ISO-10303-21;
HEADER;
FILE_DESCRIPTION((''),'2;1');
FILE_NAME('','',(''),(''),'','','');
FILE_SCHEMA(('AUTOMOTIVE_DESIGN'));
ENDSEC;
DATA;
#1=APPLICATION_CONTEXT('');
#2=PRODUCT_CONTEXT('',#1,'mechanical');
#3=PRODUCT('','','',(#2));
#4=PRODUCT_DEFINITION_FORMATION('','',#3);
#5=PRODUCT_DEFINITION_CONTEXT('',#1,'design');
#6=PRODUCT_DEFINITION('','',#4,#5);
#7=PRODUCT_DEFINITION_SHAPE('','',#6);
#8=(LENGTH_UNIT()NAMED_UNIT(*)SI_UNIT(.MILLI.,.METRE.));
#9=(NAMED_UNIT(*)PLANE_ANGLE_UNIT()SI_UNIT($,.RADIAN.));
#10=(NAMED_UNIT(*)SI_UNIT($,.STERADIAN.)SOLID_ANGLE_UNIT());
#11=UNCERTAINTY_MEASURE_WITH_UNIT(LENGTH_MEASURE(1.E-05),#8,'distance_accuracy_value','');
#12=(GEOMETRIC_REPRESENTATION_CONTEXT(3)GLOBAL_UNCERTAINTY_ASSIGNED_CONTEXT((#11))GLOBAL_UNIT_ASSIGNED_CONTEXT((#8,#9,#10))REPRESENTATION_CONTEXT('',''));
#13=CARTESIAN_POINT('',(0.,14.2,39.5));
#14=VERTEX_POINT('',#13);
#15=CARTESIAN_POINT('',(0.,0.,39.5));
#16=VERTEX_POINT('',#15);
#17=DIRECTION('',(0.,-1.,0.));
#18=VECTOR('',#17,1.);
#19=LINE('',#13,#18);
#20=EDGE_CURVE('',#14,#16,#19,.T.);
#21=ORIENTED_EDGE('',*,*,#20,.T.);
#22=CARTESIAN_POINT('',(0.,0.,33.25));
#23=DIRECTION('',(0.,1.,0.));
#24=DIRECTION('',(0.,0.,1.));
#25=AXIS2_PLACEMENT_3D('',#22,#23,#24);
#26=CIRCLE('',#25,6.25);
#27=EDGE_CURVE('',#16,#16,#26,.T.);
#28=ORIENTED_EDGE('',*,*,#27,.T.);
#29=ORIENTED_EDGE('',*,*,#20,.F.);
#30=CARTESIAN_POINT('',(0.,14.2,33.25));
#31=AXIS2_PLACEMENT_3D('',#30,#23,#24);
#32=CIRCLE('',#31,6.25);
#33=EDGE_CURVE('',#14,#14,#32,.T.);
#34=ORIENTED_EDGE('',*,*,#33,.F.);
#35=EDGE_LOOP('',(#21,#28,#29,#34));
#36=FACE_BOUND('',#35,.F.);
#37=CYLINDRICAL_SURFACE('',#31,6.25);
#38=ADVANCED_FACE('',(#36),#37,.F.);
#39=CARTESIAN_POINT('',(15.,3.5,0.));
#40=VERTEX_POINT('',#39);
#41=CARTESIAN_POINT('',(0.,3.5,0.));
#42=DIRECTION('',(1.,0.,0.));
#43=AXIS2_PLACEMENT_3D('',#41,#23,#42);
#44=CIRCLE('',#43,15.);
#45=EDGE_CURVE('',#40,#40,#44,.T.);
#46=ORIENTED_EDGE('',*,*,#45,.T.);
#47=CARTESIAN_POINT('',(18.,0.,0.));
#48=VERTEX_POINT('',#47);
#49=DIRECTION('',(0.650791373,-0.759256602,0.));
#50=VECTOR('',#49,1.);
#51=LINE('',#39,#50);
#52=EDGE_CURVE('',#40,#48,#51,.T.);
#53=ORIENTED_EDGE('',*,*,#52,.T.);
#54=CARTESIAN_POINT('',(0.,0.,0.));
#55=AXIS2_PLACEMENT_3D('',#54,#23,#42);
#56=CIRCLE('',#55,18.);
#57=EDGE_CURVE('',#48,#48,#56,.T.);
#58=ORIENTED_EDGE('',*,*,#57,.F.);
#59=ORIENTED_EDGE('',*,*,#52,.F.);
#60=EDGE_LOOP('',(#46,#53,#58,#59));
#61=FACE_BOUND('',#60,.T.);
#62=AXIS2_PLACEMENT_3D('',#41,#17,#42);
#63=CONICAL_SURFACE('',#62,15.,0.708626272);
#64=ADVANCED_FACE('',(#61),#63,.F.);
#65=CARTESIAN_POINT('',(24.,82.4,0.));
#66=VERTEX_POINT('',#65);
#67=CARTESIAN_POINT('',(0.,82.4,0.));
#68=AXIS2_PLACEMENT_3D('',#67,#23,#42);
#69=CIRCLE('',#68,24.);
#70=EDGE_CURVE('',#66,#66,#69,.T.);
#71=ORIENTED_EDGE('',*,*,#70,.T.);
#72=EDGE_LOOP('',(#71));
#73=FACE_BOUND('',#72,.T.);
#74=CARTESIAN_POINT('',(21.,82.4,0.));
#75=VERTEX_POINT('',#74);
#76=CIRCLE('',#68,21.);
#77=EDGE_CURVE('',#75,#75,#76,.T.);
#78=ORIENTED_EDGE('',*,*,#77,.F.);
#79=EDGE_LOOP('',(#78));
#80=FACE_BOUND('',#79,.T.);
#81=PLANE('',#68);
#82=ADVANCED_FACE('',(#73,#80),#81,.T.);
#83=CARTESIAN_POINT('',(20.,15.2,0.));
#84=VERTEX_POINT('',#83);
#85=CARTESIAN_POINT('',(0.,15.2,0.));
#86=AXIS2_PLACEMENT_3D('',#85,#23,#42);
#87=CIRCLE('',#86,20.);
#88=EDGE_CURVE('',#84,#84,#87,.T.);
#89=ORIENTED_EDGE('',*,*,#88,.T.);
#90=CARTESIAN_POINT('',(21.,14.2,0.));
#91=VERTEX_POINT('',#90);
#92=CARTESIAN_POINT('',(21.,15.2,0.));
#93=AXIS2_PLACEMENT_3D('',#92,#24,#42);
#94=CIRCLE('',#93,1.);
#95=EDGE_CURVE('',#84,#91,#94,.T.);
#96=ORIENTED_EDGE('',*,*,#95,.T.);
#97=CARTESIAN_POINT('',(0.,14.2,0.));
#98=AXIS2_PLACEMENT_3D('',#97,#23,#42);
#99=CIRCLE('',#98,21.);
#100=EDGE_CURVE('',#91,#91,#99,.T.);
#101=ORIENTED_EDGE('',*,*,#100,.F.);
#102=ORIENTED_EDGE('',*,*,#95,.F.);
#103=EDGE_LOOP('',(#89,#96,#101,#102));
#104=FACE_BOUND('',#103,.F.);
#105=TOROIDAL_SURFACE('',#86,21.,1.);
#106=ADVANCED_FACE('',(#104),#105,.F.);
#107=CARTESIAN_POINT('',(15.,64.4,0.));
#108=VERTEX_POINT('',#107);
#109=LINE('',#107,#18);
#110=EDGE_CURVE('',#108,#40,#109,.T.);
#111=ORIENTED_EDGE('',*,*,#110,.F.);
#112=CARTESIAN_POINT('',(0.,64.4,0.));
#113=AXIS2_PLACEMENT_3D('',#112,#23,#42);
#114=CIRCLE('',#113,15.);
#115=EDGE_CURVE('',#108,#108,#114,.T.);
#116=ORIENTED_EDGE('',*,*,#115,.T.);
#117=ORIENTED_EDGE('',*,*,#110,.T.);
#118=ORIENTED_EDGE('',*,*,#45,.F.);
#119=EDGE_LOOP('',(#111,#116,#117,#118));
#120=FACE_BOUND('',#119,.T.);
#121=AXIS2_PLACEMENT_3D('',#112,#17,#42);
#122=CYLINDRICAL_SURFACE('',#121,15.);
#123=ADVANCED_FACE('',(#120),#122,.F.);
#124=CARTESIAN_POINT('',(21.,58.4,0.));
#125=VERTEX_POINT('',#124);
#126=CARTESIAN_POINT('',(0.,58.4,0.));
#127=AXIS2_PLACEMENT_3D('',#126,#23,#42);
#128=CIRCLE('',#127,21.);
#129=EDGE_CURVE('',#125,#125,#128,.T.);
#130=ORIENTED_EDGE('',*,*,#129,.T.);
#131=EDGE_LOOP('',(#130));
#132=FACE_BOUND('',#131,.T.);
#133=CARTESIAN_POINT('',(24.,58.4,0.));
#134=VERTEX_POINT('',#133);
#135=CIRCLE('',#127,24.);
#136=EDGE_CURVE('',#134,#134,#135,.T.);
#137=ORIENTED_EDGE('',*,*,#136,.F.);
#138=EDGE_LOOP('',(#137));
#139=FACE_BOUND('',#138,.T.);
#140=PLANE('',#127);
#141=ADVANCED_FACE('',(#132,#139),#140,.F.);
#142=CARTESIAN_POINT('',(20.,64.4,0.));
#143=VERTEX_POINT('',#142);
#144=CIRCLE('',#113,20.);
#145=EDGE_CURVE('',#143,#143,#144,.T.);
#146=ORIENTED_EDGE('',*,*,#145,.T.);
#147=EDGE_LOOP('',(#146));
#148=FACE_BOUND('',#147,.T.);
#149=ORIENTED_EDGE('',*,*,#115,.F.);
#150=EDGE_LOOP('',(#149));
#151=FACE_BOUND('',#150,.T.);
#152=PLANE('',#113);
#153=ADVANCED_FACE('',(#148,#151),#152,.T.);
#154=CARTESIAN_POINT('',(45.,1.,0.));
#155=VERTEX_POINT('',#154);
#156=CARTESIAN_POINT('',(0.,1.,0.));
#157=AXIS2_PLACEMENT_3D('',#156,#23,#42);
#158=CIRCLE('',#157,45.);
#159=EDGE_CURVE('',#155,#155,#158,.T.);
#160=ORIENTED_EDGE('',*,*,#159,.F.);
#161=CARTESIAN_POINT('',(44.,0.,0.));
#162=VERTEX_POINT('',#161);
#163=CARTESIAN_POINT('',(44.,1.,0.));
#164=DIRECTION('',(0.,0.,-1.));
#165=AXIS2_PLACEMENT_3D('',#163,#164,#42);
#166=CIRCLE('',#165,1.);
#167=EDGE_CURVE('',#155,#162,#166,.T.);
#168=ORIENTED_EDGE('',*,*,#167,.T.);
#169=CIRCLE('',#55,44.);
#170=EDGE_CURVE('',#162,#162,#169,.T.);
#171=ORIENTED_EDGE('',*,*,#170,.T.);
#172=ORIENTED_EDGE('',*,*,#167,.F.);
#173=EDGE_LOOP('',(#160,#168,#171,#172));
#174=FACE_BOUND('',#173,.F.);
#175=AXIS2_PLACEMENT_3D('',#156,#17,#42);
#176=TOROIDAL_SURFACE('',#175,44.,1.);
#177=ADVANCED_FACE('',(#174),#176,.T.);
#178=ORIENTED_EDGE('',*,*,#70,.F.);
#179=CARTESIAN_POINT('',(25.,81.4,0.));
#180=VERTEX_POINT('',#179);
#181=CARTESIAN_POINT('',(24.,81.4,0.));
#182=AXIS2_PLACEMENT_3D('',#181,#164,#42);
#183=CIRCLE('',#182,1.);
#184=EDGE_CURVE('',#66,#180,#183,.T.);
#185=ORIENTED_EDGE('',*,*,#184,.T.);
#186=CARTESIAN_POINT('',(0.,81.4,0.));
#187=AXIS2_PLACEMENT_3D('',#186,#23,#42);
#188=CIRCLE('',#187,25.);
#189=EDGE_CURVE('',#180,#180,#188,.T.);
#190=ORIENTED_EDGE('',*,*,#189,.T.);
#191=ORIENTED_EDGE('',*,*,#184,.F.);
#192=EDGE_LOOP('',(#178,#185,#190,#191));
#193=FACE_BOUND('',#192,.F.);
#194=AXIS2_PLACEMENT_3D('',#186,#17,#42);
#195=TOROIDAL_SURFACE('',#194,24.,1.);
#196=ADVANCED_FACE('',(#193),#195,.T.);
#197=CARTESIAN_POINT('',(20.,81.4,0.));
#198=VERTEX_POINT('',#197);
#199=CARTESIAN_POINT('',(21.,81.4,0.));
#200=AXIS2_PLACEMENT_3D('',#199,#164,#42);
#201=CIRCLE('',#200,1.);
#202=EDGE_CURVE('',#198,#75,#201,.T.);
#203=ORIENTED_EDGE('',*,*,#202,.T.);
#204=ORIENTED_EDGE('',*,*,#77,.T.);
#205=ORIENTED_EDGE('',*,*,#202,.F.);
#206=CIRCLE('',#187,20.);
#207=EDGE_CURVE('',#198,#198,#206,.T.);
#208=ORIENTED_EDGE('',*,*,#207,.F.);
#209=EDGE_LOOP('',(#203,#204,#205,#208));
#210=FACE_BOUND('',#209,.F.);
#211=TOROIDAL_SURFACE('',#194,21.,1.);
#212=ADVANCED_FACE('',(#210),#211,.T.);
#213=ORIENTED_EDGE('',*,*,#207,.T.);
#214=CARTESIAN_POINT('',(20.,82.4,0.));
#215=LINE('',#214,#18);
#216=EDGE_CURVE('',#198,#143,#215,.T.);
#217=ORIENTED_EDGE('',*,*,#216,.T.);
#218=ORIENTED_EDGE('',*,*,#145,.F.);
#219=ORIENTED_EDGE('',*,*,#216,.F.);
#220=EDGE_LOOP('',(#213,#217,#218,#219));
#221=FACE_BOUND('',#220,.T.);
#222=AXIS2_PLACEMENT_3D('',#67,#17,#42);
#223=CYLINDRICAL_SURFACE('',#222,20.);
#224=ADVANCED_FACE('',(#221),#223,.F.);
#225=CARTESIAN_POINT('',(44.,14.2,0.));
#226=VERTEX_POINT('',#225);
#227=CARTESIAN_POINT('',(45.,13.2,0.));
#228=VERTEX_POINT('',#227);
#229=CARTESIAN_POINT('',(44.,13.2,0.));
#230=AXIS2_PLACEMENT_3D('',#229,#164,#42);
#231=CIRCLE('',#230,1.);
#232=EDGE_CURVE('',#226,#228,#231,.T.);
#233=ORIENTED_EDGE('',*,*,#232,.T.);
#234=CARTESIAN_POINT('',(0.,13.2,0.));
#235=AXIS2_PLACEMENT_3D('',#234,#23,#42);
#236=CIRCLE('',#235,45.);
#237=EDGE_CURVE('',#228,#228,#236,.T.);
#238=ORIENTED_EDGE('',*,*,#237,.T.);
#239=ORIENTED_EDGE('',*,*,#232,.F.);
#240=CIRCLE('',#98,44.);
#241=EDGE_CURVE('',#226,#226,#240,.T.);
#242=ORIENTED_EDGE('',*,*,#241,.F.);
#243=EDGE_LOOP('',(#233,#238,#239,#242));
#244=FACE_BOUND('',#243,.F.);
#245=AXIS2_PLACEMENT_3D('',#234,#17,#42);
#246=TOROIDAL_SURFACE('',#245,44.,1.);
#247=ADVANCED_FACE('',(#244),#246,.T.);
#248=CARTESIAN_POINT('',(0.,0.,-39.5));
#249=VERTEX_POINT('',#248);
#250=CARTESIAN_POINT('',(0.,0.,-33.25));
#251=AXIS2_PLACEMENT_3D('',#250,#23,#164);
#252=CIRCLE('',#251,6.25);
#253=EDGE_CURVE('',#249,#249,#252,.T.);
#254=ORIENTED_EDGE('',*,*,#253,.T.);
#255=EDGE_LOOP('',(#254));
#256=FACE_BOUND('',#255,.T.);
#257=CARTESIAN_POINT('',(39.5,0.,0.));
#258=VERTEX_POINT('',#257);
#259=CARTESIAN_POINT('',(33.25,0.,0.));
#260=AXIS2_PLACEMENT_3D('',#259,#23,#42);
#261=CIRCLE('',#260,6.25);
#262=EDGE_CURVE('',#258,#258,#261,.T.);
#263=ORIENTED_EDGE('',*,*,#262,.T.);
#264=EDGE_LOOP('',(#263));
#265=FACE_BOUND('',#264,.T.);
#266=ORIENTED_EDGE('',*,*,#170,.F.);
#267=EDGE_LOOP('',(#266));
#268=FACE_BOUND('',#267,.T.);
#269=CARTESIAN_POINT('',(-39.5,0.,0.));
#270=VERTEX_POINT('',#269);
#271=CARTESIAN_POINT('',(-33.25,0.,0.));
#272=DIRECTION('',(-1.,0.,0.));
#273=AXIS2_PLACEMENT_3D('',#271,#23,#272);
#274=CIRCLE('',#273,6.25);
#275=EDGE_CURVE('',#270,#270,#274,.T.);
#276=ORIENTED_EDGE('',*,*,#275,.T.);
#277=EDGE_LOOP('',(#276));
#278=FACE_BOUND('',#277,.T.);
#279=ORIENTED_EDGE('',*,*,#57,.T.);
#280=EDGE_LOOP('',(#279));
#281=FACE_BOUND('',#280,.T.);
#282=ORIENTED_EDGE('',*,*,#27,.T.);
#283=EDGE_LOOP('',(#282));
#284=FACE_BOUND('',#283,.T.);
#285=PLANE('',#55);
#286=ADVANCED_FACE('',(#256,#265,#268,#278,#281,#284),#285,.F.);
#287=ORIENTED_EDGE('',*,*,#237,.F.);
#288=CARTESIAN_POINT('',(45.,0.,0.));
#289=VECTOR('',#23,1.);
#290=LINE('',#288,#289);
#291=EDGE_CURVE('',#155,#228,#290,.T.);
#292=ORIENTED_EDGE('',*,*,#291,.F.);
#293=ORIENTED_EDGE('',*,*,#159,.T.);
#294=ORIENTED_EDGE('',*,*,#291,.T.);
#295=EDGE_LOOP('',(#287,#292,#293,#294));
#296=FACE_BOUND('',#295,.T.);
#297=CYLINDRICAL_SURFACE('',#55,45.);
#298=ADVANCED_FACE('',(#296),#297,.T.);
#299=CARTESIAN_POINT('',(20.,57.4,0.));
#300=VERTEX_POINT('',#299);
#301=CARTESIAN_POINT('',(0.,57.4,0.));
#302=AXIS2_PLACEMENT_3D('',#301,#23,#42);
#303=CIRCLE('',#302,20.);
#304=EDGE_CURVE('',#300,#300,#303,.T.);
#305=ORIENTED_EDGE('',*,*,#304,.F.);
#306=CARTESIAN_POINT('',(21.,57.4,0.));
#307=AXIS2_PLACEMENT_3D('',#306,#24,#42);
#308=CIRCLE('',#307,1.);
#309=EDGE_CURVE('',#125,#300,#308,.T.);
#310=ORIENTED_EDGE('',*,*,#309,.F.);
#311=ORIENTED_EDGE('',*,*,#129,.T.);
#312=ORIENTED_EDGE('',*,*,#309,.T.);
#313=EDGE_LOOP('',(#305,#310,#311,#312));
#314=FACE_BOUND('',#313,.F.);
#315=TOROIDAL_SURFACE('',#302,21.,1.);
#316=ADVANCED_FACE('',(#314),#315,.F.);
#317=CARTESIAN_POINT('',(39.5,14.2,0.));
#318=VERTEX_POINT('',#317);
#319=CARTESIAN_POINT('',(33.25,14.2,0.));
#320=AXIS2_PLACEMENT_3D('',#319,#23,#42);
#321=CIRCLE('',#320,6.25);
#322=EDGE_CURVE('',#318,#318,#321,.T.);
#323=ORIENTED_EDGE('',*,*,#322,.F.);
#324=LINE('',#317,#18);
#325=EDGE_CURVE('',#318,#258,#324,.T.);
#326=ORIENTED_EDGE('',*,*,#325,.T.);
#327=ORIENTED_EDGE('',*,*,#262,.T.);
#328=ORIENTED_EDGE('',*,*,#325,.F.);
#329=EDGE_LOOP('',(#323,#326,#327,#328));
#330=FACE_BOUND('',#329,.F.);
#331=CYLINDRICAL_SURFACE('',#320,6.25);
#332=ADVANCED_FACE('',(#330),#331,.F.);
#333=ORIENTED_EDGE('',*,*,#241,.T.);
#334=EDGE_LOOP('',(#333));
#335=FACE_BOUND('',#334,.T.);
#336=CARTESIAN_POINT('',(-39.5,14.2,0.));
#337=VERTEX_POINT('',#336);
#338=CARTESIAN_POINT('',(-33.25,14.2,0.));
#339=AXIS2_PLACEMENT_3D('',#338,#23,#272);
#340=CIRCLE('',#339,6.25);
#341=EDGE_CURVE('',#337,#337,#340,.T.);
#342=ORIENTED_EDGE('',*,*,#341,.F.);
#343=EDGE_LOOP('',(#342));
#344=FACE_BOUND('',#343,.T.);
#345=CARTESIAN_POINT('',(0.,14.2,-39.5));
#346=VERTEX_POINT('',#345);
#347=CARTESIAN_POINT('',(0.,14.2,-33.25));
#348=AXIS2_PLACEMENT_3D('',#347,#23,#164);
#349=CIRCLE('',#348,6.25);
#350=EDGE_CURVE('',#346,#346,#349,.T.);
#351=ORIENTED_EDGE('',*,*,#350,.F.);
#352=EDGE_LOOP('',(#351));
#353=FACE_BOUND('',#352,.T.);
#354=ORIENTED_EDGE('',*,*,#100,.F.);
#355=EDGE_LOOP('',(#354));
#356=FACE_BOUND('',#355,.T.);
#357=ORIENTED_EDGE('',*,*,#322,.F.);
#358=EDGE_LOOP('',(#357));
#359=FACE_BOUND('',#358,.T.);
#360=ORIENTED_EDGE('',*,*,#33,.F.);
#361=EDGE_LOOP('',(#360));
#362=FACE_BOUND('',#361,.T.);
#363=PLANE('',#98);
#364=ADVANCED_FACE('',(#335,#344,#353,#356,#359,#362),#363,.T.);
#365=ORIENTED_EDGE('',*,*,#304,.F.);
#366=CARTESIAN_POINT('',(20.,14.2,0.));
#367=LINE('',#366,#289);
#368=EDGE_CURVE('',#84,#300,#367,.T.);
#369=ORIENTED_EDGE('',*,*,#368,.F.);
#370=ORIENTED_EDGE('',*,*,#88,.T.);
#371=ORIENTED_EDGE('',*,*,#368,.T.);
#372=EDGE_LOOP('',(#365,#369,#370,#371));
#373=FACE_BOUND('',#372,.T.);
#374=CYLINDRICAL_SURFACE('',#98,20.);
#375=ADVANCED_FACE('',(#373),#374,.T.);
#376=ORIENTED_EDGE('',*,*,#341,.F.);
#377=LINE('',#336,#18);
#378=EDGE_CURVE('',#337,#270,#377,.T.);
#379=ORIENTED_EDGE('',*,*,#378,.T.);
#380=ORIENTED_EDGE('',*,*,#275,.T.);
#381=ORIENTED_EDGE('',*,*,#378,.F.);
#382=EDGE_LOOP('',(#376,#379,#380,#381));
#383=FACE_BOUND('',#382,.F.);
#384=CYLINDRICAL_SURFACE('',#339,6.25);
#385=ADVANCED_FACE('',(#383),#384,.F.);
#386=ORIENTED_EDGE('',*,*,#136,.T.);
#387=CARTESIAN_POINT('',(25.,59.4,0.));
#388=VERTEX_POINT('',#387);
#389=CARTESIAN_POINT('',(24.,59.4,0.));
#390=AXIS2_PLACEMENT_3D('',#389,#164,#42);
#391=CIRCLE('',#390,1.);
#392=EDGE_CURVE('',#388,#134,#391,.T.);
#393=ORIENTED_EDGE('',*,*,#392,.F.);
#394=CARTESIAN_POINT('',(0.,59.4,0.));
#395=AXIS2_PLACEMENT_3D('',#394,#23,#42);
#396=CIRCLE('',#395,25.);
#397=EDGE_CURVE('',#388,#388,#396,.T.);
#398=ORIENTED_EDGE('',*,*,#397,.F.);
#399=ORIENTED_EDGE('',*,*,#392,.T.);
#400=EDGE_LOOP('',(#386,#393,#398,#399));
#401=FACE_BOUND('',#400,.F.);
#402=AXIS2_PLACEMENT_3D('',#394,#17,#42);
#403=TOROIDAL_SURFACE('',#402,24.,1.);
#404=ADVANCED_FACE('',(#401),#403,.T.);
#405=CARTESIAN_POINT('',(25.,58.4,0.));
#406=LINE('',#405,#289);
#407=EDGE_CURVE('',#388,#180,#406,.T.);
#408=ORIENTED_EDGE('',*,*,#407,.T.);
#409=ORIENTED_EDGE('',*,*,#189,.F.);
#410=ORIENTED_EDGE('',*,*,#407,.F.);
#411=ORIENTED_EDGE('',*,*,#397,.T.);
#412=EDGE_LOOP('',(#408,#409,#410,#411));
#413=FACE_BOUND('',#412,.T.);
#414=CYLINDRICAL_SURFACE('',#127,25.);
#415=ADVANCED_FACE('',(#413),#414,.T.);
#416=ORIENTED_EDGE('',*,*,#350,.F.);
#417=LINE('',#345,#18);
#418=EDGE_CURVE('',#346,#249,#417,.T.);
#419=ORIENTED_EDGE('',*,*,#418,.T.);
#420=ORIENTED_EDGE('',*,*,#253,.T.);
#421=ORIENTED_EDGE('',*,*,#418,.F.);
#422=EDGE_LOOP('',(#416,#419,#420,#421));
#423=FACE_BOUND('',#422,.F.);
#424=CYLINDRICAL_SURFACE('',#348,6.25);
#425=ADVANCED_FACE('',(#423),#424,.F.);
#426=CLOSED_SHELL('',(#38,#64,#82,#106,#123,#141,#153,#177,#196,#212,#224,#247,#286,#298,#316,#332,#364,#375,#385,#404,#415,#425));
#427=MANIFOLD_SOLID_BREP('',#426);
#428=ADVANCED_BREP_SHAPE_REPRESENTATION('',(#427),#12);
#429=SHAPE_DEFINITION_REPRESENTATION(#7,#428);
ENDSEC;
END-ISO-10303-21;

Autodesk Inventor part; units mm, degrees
ref_plane "YZ Plane" through (0, 0, 0) normal (1, 0, 0) x (0, 1, 0)
ref_plane "XZ Plane" through (0, 0, 0) normal (0, 1, 0) x (-1, 0, 0)
ref_plane "XY Plane" through (0, 0, 0) normal (0, 0, 1) x (1, 0, 0)
sketch "Sketch1" plane through (0, 0, 0) normal (0, 0, 1) x (1, 0, 0)
  line L0 (0, 0) -> (0, 82.4) construction
  line L1 (18, 0) -> (45, 0)
  line L2 (45, 0) -> (45, 14.2)
  line L3 (45, 14.2) -> (20, 14.2)
  line L4 (20, 14.2) -> (20, 58.4)
  line L5 (20, 58.4) -> (25, 58.4)
  line L6 (25, 58.4) -> (25, 82.4)
  line L7 (25, 82.4) -> (20, 82.4)
  line L8 (20, 82.4) -> (20, 64.4)
  line L9 (20, 64.4) -> (15, 64.4)
  line L10 (15, 64.4) -> (15, 3.5)
  line L11 (15, 3.5) -> (18, 0)
  point P0 (15, 0)
  dimension "d0" = 40
  dimension "d1" = 90
  dimension "d2" = 50
  dimension "d3" = 18
  dimension "d4" = 6
  dimension "d5" = 44.2
  dimension "d6" = 14.2
  dimension "d7" = 3.5
  dimension "d8" = 3
revolve "Revolution1" add sketch "Sketch1" angle 360 about axis through (0, 0, 0) along (0, 1, 0)
fillet "Fillet1" radius 1 7 edges at (-25, 82.4, 0) (-20, 82.4, 0) (-25, 58.4, 0) (-20, 58.4, 0) (-20, 14.2, 0) (-45, 14.2, 0) (-45, 0, 0)
sketch "Sketch2" plane through (0, 14.2, 0) normal (0, 1, 0) x (1, 0, 0)
  circle A0 centre (0, 0) radius 21 projected
  circle A1 centre (33.25, 0) radius 6.25
  dimension "d11" = 12.5
  dimension "d12" = 33.25
extrude "Extrusion1" cut sketch "Sketch2" against normal through all contours A1
pattern_circular "Circular Pattern1" count 4 over 360 about axis through (0, 33.95, 0) along (0, 1, 0) of "Extrusion1"
properties part number "b9"
